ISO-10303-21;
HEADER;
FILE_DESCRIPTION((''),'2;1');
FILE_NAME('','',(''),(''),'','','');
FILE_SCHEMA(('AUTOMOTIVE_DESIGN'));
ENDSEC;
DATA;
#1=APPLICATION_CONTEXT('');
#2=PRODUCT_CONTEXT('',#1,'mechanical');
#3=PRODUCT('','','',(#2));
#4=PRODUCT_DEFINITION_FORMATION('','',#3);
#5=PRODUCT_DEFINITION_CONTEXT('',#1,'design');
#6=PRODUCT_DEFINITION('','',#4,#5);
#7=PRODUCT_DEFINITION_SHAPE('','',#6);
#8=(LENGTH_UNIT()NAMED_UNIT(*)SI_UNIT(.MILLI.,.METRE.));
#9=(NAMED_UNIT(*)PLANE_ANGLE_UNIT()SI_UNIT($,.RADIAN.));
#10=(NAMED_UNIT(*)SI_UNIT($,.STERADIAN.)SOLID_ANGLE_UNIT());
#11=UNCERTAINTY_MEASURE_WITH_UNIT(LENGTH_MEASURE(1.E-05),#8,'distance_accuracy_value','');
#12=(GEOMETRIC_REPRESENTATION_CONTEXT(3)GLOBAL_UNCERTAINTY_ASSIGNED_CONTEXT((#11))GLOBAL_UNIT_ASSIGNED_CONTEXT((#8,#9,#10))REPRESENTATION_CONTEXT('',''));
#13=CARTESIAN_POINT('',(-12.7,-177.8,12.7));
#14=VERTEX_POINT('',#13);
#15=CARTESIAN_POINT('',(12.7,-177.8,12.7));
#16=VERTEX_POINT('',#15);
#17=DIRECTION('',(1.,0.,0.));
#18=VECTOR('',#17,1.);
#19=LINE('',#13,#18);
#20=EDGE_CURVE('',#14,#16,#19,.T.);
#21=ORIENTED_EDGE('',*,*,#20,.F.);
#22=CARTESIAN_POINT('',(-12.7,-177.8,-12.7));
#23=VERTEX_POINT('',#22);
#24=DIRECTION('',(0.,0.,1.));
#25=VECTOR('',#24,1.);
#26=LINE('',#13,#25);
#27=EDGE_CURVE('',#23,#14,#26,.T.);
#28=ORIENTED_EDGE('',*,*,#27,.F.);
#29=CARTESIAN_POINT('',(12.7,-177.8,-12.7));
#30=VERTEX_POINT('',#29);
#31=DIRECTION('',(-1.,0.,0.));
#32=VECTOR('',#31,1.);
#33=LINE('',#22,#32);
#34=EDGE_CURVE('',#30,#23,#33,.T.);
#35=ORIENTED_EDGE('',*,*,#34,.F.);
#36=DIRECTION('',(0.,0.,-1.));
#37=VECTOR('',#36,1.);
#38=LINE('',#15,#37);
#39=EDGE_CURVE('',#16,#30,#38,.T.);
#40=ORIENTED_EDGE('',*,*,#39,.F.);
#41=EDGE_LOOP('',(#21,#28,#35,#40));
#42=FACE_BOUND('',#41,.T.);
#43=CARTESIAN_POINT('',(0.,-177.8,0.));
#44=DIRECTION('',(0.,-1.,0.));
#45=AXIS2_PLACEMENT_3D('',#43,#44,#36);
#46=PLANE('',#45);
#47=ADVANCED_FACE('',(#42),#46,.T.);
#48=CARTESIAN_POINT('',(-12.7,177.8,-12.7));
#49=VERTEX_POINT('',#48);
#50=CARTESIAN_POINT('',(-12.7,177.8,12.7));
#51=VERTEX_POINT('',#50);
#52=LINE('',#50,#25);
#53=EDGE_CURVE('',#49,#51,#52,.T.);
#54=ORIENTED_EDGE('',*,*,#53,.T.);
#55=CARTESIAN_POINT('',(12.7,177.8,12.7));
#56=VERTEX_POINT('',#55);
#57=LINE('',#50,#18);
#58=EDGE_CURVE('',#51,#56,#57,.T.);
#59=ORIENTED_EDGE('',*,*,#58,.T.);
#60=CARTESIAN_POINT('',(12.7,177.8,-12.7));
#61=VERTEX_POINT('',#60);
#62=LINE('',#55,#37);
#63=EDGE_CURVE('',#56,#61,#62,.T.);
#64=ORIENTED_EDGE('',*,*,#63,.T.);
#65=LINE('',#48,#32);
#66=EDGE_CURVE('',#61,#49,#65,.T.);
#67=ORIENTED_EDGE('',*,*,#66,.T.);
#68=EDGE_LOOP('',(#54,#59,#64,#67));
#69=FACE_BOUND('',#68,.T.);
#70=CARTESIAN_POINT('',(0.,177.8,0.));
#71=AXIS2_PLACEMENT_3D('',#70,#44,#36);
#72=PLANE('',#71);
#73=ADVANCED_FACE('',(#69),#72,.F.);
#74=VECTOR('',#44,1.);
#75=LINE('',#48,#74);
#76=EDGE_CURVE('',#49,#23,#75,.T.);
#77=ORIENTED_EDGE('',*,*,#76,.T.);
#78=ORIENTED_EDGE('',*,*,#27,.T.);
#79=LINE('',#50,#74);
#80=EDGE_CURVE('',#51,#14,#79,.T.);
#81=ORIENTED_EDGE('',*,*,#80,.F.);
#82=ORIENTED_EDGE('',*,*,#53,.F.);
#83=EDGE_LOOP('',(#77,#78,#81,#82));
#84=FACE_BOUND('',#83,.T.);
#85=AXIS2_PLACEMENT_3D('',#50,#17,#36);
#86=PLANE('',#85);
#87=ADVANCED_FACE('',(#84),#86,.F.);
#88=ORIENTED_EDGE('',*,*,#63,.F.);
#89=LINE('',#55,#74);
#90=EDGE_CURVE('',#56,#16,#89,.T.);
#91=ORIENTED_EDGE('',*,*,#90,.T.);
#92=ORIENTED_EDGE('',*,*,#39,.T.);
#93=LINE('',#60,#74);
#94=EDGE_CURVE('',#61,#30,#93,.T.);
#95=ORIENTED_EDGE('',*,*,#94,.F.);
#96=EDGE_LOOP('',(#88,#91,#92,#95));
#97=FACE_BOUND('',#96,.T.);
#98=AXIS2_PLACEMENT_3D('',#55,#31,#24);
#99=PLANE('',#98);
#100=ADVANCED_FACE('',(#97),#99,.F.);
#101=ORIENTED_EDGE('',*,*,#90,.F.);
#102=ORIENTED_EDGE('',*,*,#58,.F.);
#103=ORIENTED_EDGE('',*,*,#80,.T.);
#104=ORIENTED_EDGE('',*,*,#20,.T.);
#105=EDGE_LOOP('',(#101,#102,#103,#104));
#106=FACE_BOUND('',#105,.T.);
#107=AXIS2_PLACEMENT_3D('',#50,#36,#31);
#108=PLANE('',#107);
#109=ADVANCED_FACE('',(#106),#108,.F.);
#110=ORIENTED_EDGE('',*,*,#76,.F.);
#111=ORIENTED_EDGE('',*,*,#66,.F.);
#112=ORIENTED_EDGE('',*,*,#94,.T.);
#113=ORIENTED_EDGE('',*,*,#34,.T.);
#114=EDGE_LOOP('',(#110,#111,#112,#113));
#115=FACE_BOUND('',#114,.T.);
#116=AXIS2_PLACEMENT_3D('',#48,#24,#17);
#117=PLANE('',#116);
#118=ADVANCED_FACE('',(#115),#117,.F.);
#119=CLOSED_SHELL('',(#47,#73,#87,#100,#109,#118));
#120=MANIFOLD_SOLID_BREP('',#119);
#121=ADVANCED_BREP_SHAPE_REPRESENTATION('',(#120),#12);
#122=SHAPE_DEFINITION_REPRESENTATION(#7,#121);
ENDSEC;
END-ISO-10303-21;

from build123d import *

# Parameters (mm, degrees)
SKETCH1_W           = 25.4
SKETCH1_H           = 25.4
BOSS_EXTRUDE1_DEPTH = 177.8


with BuildPart() as part:
    # Sketch1 → Boss-Extrude1 (new, symmetric)
    with BuildSketch(Plane(origin=(0, 0, 0), x_dir=(1, 0, 0), z_dir=(0, 1, 0))):
        Rectangle(SKETCH1_W, SKETCH1_H)
    extrude(amount=BOSS_EXTRUDE1_DEPTH, both=True)


solid = part.part
